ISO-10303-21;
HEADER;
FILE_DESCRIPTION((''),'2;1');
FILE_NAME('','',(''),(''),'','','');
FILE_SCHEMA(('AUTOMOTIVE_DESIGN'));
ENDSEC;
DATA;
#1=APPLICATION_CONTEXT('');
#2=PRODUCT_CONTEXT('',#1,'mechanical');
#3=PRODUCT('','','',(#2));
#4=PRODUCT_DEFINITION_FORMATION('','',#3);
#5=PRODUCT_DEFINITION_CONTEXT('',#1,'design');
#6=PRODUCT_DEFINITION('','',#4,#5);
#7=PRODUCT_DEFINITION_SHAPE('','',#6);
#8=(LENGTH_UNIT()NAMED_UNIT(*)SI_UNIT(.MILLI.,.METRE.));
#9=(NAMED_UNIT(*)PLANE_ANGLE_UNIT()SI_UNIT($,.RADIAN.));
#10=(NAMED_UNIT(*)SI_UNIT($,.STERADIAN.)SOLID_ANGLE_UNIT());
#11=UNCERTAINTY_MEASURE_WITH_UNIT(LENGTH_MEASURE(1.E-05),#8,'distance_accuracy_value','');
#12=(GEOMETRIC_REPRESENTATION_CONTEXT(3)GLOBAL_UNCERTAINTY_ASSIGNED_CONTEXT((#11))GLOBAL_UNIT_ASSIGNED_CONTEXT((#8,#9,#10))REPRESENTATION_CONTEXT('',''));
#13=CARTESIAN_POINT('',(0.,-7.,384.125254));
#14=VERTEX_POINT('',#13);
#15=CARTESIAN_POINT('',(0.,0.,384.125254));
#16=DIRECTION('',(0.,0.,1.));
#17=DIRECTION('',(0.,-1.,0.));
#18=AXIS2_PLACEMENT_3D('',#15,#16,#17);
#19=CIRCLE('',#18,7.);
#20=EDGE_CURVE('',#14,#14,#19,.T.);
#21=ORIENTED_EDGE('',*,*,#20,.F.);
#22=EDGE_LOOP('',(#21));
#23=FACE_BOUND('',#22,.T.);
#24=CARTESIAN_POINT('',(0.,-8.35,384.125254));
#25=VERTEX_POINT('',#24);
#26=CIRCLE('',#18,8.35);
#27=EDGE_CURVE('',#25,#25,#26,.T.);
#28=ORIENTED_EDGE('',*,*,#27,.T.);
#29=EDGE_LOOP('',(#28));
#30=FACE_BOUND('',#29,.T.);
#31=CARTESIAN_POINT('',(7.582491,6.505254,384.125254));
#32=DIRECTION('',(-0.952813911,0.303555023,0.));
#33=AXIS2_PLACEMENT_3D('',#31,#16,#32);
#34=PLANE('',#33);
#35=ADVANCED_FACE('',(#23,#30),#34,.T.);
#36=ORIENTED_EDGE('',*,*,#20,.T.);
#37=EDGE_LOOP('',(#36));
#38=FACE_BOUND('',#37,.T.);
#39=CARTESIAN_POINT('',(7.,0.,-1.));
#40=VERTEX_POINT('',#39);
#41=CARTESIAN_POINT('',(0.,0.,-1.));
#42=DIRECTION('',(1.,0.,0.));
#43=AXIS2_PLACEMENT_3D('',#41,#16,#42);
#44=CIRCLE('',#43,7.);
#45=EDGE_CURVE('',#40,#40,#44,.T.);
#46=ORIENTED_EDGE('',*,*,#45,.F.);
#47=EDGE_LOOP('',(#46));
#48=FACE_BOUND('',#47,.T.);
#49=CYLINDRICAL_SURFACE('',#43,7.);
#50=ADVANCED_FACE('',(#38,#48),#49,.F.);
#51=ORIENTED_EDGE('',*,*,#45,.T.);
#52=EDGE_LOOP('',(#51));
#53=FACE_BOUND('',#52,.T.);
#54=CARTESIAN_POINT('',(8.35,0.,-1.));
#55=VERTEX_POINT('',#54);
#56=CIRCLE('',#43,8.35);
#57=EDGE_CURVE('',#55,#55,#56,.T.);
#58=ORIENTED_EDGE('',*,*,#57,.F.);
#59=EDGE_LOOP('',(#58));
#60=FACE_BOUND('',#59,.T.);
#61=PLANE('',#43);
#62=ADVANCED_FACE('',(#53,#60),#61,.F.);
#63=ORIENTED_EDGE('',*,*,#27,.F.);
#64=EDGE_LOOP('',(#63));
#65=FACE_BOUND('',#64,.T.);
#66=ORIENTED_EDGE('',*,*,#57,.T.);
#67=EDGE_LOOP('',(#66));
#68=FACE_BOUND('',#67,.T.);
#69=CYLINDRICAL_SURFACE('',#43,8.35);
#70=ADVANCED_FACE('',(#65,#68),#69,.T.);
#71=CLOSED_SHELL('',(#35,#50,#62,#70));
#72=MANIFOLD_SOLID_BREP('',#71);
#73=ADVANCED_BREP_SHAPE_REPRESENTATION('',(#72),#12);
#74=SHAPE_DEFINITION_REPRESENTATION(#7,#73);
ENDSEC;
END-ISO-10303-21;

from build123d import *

# Parameters (mm, degrees)
SZKIC1_R                         = 8.35
SZKIC1_R_2                       = 7
DODANIE_WYCI_GNI_CIE1_DEPTH      = 384.125254
DODANIE_WYCI_GNI_CIE1_DEPTH_BACK = 1


with BuildPart() as part:
    # Szkic1 → Dodanie-wyci_gni_cie1 (new body, two sides)
    with BuildSketch(Plane.XY) as dodanie_wyci_gni_cie1_sk:
        Circle(SZKIC1_R)
        Circle(SZKIC1_R_2, mode=Mode.SUBTRACT)
    extrude(amount=DODANIE_WYCI_GNI_CIE1_DEPTH)
    extrude(dodanie_wyci_gni_cie1_sk.sketch, amount=-DODANIE_WYCI_GNI_CIE1_DEPTH_BACK)


solid = part.part
